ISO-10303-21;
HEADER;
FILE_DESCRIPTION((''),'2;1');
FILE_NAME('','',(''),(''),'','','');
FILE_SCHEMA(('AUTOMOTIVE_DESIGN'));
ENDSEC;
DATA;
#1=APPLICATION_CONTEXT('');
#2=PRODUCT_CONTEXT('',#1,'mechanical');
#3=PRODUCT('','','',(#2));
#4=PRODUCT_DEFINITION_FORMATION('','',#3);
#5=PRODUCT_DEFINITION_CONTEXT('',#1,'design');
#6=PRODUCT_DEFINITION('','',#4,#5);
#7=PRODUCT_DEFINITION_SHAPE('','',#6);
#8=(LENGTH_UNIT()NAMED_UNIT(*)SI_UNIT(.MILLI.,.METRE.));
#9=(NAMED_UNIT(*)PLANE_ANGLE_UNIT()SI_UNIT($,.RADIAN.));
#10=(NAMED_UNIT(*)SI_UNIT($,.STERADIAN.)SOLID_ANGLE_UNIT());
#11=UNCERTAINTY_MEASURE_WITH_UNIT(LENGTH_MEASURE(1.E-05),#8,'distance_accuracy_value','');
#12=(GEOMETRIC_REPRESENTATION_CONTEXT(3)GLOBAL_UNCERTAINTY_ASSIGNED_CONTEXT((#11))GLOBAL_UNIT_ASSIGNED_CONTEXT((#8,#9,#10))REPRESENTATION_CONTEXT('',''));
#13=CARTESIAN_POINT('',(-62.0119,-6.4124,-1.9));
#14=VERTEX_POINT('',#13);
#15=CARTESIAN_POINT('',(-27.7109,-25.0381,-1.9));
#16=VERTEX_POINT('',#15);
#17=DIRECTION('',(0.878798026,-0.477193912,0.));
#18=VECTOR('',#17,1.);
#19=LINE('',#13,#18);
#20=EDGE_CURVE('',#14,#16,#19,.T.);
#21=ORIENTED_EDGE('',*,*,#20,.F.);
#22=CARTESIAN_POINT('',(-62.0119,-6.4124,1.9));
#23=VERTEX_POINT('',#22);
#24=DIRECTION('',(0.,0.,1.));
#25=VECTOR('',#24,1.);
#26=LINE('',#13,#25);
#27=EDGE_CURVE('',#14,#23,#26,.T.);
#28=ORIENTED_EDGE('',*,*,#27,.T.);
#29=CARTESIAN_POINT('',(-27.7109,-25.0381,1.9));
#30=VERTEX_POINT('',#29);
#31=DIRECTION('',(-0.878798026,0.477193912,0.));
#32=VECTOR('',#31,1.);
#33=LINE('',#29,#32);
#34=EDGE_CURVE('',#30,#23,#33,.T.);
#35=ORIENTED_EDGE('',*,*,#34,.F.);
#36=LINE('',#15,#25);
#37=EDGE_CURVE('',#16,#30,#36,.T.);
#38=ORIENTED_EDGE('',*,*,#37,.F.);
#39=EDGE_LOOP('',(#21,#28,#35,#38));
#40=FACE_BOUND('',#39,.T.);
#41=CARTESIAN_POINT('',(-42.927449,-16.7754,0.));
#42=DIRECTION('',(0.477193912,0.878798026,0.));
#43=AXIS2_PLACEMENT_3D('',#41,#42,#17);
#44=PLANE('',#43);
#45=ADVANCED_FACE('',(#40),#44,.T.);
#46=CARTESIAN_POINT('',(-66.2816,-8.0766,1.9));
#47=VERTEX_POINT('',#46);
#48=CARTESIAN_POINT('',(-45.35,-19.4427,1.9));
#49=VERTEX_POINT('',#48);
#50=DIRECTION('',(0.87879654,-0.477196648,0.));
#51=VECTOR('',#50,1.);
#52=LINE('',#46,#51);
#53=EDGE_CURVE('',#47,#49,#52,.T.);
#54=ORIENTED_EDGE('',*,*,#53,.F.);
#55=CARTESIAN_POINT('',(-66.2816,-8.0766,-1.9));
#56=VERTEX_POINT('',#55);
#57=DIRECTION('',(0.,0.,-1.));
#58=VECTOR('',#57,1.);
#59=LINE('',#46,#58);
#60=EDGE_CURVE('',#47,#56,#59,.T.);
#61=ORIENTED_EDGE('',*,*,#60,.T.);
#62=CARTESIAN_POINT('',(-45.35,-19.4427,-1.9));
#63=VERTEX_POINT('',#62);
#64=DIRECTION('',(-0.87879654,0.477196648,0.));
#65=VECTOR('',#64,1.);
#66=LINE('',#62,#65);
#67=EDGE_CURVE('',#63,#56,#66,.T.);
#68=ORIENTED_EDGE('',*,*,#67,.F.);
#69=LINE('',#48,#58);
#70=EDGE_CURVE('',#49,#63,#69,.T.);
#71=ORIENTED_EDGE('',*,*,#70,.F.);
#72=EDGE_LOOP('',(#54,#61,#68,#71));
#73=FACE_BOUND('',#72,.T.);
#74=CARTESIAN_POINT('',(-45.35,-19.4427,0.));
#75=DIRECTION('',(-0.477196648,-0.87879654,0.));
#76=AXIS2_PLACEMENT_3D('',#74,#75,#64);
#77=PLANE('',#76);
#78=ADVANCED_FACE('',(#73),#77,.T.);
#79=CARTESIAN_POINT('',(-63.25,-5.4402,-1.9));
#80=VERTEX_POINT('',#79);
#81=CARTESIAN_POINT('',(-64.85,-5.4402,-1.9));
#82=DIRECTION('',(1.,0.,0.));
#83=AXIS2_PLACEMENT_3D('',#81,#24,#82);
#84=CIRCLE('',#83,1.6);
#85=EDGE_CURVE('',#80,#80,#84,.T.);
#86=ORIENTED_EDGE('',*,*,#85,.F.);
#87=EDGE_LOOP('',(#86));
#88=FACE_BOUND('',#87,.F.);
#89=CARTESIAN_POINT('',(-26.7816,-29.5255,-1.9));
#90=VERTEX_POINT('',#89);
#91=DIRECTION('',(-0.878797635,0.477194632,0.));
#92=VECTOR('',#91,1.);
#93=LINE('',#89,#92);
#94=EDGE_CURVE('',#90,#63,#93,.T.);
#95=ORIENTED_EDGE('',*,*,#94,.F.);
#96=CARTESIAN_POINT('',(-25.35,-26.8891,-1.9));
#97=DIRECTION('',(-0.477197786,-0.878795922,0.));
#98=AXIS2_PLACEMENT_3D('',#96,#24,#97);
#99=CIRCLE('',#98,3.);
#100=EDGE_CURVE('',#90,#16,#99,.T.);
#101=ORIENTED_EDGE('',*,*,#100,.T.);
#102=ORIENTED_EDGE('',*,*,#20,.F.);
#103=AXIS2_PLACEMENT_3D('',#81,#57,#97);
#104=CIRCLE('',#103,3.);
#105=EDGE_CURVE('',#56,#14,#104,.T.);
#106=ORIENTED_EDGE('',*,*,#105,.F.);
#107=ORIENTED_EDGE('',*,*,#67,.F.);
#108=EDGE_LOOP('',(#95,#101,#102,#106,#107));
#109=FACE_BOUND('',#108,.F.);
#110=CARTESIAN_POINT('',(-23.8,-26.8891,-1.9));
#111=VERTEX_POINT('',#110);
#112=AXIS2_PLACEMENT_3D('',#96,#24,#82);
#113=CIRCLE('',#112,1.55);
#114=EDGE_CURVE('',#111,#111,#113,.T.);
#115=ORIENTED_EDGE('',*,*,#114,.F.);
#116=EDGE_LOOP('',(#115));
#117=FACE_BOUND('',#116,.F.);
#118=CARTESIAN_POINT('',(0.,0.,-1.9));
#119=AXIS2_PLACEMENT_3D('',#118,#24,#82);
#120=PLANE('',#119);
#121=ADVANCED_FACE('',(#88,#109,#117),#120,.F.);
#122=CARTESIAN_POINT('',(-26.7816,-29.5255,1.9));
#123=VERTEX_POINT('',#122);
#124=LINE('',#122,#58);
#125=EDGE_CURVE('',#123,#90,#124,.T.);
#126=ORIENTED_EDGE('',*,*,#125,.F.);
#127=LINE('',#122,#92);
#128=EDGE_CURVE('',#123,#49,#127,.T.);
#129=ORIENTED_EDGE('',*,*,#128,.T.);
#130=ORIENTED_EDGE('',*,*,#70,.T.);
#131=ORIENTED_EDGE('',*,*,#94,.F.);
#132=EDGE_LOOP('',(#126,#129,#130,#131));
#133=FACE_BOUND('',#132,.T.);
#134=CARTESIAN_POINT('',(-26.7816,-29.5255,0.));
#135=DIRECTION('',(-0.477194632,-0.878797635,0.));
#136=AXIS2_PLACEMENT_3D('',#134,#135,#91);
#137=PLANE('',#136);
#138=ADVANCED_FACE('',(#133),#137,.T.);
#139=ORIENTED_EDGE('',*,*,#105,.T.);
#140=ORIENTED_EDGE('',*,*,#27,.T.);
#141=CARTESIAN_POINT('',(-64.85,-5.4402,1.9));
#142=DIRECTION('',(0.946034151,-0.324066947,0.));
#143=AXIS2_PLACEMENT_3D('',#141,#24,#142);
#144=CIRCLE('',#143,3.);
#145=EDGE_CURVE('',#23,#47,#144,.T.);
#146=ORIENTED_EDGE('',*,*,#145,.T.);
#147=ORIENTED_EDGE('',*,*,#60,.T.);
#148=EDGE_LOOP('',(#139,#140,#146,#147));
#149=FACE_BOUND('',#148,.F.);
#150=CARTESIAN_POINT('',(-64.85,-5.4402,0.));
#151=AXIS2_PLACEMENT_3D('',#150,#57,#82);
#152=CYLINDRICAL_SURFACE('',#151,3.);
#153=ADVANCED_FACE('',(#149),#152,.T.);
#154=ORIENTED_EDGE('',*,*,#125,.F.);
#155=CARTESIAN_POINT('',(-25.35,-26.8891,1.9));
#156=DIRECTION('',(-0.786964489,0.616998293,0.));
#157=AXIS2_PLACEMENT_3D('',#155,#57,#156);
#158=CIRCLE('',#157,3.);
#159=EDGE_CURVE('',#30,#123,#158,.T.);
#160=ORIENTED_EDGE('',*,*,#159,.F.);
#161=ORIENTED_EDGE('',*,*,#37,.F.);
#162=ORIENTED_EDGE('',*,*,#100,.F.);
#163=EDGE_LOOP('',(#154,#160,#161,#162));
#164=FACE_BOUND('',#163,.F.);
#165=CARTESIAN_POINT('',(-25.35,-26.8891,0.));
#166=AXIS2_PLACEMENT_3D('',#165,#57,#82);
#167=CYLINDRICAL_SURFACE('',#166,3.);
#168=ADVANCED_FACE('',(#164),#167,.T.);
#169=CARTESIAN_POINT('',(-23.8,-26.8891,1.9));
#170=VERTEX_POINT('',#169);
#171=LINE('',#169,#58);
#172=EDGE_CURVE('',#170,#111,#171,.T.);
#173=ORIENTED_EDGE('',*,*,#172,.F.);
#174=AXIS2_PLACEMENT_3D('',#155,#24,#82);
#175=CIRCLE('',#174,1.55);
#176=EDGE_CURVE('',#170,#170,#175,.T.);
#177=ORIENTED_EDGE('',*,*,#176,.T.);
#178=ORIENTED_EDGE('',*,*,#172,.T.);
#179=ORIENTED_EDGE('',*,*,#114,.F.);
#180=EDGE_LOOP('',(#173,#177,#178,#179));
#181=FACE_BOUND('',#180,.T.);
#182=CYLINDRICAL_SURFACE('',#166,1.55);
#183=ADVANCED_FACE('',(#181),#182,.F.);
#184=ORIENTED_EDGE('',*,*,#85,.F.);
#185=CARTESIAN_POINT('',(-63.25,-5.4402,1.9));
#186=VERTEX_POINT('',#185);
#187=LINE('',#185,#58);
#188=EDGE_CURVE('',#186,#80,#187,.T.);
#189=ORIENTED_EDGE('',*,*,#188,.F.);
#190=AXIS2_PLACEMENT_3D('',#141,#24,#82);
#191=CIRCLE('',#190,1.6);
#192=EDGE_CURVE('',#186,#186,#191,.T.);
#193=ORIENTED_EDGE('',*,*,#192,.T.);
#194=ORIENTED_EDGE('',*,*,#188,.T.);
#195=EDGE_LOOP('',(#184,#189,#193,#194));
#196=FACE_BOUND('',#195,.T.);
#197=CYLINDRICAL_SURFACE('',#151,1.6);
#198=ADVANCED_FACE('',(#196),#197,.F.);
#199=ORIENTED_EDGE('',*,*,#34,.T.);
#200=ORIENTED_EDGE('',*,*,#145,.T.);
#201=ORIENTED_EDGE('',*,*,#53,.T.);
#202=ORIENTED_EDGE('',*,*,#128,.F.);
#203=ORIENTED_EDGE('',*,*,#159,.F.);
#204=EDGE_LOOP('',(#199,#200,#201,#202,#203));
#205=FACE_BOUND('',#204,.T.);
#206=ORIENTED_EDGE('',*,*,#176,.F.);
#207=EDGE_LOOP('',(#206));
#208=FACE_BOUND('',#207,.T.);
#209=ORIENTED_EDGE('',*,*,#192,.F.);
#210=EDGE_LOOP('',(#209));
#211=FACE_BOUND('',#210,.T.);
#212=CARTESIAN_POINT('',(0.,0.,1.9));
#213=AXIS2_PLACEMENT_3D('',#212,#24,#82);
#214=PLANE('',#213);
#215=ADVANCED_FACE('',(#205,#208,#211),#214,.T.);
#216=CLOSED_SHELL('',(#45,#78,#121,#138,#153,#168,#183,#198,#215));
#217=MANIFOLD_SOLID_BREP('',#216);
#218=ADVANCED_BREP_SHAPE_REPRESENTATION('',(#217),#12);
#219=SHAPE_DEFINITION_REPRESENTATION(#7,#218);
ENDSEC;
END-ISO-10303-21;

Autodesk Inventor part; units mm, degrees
ref_plane "YZ Plane" through (0, 0, 0) normal (1, 0, 0) x (0, 1, 0)
ref_plane "XZ Plane" through (0, 0, 0) normal (0, 1, 0) x (-1, 0, 0)
ref_plane "XY Plane" through (0, 0, 0) normal (0, 0, 1) x (1, 0, 0)
sketch "Sketch1" plane through (0, 0, 0) normal (0, 0, 1) x (1, 0, 0)
  circle A0 centre (-25.35, -26.8891) radius 1.55 projected
  circle A1 centre (-25.35, -26.8891) radius 3
  circle A2 centre (-64.85, -5.4402) radius 1.6 projected
  circle A3 centre (-64.85, -5.4402) radius 3
  line L0 (-26.7816, -29.5255) -> (-66.2816, -8.0766) construction
  line L1 (-23.9184, -24.2527) -> (-63.4184, -2.8038) construction
  line L2 (-26.7816, -29.5255) -> (-45.35, -19.4427)
  line L3 (-62.0119, -6.4124) -> (-62.0119, -6.4124)
  line L4 (-32.35, -16.7754) -> (-65.35, -16.7754)
  line L5 (-32.35, -5.7754) -> (-57.816, -5.7754)
  line L6 (-32.35, -5.7754) -> (-32.35, -16.7754) construction
  line L7 (-32.35, -11.2754) -> (-52.35, -11.2754) construction
  line L8 (-63.35, -10.6613) -> (-63.35, -16.3989) construction
  line L9 (-45.35, -19.4427) -> (-66.2816, -8.0766)
  line L10 (-62.0119, -6.4124) -> (-27.7109, -25.0381)
  point P0 (0, 0)
  point P1 (-47.8172, -11.2754)
  dimension "d0" = 6
  dimension "d1" = 6
  dimension "d10" = 20
  dimension "d11" = 20
  dimension "d19" = 3.5
extrude "Extrusion1" add sketch "Sketch1" along normal mid plane 3.8
properties part number "palanca base_proxima" material "PPS Plastic"
